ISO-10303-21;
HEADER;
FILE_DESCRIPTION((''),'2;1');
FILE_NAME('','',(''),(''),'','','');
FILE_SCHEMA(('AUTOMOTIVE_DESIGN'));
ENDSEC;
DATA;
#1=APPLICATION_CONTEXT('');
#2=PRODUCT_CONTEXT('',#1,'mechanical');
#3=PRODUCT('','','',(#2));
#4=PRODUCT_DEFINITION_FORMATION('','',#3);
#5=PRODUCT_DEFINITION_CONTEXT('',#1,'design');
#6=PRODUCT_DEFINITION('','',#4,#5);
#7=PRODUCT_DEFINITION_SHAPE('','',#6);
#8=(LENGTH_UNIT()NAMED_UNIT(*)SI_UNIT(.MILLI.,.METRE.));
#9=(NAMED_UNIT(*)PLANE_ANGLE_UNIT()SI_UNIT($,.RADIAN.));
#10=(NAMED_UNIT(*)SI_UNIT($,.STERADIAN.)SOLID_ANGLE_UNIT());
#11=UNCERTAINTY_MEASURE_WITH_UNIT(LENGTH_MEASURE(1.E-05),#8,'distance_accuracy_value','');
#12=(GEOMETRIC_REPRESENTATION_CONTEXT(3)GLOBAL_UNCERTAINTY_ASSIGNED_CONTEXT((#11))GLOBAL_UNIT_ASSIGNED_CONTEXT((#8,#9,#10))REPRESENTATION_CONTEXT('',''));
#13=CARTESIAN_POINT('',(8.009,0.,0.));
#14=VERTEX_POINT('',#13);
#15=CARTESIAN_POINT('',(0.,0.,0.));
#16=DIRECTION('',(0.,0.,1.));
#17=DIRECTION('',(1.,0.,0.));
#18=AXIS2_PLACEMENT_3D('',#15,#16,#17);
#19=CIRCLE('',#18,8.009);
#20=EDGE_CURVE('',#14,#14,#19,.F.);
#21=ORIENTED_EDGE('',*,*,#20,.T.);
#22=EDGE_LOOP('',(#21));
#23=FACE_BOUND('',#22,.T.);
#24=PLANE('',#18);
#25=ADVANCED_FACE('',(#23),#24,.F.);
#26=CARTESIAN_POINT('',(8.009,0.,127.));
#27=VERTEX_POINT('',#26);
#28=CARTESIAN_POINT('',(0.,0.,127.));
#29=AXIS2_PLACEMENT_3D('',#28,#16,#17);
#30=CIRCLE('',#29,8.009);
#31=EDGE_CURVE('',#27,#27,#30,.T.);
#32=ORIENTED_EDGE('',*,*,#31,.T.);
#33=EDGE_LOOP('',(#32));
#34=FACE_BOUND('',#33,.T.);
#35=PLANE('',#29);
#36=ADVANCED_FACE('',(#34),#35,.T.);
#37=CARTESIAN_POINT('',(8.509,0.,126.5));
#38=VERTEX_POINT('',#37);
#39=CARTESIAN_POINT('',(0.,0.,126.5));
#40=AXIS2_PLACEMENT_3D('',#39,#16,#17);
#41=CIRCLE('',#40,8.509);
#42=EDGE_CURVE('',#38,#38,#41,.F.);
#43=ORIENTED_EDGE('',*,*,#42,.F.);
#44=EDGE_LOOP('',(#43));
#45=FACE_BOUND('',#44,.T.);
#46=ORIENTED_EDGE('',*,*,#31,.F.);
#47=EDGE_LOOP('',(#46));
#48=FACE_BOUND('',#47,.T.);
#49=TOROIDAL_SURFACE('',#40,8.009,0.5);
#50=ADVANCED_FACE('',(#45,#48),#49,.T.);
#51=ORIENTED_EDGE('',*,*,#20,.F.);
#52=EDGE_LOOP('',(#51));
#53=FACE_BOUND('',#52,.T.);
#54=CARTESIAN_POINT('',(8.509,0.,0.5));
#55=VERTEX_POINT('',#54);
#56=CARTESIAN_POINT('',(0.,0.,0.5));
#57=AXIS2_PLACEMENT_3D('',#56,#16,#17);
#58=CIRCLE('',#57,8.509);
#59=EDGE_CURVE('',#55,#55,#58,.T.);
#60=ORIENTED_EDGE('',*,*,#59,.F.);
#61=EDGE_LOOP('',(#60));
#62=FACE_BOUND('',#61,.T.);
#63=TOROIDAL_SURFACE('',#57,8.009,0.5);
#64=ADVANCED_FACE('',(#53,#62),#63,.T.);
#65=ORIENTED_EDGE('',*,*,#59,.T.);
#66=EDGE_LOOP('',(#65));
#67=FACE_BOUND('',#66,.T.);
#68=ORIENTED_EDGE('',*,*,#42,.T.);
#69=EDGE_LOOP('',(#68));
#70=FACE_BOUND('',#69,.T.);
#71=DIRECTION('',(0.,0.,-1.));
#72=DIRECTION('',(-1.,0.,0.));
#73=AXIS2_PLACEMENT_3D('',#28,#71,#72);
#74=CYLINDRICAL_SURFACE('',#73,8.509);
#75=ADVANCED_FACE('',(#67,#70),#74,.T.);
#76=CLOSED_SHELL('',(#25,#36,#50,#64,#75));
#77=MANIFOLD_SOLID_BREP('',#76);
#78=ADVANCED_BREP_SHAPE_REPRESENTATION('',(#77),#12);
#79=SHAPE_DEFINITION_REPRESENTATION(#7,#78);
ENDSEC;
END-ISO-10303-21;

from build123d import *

# Parameters (mm, degrees)
SKETCH1_R           = 8.509
BOSS_EXTRUDE1_DEPTH = 127
FILLET1_R           = 0.5


with BuildPart() as part:
    # Sketch1 → Boss-Extrude1 (new body)
    with BuildSketch(Plane.XY):
        Circle(SKETCH1_R)
    extrude(amount=BOSS_EXTRUDE1_DEPTH)

    # Fillet1
    fillet1_edges = [part.edges().sort_by_distance(p)[0] for p in [
        (-8.509, 0, 0),
        (-8.509, 0, 127),
    ]]
    fillet(fillet1_edges, radius=FILLET1_R)


solid = part.part
